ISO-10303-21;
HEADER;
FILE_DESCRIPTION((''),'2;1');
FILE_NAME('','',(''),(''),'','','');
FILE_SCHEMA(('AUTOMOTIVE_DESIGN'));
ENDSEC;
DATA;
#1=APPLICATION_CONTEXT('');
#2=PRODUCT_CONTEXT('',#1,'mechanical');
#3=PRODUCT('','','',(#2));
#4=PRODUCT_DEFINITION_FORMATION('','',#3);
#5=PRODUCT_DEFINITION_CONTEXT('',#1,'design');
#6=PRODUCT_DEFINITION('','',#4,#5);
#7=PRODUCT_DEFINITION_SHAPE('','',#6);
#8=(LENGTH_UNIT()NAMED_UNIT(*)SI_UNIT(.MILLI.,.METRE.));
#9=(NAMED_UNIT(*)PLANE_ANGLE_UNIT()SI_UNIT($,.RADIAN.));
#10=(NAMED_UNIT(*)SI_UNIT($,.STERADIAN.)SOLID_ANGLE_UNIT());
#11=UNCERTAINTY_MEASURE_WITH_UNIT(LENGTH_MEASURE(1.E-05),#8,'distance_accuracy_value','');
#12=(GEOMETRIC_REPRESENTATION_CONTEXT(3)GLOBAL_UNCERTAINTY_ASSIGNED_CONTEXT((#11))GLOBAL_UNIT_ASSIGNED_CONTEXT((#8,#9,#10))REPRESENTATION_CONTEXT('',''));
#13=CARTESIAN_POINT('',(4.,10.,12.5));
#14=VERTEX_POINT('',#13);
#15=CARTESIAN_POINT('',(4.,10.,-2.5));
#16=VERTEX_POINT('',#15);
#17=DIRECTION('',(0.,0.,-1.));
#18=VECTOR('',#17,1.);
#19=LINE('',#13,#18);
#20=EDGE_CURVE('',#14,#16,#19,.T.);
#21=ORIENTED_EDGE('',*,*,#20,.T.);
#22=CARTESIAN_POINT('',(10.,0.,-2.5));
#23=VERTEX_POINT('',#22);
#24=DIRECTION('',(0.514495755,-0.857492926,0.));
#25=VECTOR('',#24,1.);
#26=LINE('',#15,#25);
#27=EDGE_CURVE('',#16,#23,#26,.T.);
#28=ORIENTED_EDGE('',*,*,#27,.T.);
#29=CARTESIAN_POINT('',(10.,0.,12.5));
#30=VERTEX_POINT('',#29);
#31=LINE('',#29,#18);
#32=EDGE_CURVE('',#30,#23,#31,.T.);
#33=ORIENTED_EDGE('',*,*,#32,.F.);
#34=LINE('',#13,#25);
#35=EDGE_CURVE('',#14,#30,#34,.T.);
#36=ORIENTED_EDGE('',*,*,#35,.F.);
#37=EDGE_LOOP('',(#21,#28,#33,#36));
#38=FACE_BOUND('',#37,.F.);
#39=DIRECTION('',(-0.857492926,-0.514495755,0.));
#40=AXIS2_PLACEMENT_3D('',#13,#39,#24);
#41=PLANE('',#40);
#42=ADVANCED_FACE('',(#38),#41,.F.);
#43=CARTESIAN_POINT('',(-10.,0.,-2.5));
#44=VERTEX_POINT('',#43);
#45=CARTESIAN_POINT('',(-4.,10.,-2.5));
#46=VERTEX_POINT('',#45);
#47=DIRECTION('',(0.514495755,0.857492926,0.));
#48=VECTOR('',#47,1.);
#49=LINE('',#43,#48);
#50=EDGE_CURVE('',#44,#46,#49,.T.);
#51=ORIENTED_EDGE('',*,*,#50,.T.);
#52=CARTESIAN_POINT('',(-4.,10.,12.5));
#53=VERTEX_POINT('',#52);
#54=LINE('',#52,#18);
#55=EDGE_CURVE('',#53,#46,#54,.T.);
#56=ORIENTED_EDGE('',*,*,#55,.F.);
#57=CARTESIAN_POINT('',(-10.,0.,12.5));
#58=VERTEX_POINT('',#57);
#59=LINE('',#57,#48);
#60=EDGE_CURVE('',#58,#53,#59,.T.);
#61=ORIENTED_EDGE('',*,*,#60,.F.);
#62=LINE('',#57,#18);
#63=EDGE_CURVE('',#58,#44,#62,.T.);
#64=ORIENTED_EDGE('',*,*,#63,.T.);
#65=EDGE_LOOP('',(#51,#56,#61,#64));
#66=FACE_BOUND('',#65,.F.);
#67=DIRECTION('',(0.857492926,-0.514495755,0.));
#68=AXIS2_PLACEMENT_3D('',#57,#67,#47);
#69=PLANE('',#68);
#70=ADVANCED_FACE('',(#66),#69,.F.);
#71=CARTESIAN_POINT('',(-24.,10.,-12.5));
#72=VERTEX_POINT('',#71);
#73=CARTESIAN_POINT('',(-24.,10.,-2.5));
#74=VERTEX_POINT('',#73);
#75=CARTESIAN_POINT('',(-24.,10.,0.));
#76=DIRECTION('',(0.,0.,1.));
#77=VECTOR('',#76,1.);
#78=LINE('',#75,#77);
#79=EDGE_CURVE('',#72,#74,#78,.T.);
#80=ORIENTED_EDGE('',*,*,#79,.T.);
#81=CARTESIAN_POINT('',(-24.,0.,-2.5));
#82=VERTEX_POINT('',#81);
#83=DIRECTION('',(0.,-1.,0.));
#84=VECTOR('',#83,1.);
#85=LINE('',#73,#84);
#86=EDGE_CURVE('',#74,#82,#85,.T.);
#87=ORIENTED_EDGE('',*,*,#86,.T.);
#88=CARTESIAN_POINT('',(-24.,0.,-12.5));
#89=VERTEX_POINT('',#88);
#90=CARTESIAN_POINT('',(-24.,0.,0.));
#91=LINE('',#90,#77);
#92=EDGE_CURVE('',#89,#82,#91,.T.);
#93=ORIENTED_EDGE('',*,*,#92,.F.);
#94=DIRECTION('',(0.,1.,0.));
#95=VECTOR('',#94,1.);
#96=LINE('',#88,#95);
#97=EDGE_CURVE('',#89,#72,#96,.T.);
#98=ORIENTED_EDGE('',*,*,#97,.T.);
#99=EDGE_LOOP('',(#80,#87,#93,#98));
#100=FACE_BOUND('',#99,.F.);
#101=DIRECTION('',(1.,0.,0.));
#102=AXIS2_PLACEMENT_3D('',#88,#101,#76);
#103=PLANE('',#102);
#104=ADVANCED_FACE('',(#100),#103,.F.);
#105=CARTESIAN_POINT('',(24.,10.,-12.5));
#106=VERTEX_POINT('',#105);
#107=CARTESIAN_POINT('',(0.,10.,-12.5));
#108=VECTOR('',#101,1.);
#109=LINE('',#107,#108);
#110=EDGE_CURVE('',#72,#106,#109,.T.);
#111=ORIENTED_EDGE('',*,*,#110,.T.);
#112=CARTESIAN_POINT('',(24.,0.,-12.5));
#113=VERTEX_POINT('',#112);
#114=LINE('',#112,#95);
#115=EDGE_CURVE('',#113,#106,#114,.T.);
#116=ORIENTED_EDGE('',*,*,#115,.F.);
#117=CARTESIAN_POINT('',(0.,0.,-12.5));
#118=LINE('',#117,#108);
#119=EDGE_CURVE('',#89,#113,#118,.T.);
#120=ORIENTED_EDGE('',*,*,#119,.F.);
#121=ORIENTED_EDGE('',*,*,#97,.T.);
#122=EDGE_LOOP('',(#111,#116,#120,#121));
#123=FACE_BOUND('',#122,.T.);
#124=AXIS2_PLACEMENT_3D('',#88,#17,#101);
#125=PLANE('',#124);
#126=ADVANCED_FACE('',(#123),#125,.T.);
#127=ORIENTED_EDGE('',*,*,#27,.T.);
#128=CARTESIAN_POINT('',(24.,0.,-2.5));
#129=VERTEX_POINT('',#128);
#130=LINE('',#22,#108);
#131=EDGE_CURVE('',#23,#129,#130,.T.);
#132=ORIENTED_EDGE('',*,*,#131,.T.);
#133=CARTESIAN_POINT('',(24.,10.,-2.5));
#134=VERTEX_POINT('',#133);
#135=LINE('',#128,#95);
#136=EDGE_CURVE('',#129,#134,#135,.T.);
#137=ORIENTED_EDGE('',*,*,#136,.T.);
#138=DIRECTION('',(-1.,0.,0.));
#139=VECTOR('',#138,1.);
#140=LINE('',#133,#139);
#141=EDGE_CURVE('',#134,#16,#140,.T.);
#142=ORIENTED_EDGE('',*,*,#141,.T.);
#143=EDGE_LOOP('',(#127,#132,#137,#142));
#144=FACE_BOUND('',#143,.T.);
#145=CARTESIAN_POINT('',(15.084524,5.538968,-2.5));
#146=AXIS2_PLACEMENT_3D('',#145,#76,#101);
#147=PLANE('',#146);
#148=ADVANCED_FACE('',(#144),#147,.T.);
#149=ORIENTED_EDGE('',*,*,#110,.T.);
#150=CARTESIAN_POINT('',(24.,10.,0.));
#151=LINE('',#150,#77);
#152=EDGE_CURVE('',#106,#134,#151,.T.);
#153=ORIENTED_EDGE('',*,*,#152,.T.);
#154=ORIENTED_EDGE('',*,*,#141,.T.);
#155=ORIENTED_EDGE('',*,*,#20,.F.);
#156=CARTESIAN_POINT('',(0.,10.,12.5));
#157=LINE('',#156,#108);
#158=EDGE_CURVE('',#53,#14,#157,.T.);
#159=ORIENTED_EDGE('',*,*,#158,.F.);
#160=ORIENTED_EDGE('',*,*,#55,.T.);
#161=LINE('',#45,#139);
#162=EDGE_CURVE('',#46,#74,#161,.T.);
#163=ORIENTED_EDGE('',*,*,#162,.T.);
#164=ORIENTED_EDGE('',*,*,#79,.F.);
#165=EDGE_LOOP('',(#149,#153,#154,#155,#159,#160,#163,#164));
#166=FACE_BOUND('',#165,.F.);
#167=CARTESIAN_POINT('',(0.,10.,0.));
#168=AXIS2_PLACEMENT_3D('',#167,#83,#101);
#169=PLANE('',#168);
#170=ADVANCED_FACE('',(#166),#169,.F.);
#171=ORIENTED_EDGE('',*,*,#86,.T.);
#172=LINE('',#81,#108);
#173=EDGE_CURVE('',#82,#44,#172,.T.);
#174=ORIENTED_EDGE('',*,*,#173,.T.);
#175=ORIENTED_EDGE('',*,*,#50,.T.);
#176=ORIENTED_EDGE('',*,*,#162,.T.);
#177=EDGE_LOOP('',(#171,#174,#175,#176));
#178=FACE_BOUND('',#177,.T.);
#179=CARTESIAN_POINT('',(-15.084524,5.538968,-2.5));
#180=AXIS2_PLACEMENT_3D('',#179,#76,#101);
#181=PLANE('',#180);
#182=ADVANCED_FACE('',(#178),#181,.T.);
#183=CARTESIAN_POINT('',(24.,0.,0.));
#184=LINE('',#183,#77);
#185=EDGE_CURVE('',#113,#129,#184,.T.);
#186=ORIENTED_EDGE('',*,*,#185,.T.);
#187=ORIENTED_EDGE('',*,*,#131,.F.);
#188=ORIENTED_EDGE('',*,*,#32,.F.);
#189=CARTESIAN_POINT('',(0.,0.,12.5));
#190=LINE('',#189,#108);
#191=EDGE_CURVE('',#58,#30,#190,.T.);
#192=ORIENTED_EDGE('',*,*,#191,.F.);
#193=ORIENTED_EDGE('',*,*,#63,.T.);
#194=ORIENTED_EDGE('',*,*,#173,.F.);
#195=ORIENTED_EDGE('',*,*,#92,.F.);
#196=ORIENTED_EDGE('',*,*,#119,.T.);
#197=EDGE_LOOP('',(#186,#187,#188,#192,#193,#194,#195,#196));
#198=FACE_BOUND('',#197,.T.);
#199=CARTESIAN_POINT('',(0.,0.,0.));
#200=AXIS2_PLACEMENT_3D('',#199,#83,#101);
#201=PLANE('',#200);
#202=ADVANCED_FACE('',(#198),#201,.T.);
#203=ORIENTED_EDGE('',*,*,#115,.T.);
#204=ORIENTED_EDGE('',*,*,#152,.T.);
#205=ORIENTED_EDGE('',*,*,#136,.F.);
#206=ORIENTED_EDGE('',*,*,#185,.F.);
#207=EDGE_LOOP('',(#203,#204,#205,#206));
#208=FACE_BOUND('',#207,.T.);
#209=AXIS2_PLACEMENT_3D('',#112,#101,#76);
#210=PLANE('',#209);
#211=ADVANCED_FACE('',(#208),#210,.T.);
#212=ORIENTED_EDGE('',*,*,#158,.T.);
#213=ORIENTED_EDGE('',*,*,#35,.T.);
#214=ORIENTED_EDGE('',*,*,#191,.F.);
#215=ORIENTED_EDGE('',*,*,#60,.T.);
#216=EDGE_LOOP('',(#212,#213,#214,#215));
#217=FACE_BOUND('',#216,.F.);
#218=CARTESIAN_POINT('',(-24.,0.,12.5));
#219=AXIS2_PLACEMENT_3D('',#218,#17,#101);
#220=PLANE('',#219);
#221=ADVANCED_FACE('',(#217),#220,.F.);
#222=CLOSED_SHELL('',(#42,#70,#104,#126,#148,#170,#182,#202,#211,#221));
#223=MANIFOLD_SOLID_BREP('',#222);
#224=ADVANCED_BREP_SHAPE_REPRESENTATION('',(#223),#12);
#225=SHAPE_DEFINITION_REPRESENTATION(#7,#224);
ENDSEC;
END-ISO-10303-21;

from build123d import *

# Parameters (mm, degrees)
F0_W     = 48
F0_H     = 25
F1_DEPTH = 10
F3_DEPTH = 15


with BuildPart() as f1:
    # F0 (on Front) → F1 (new body)
    with BuildSketch(Plane.XZ):
        Rectangle(F0_W, F0_H)
    extrude(amount=-F1_DEPTH)

    # F2 (on face) → F3 (cut)
    with BuildSketch(Plane.XY.offset(12.5)):
        Polygon((-24, 0), (-10, 0), (-4, 10), (-24, 10), align=None)
        Polygon((4, 10), (10, 0), (24, 0), (24, 10), align=None)
    extrude(amount=-F3_DEPTH, mode=Mode.SUBTRACT)


solid = f1.part
